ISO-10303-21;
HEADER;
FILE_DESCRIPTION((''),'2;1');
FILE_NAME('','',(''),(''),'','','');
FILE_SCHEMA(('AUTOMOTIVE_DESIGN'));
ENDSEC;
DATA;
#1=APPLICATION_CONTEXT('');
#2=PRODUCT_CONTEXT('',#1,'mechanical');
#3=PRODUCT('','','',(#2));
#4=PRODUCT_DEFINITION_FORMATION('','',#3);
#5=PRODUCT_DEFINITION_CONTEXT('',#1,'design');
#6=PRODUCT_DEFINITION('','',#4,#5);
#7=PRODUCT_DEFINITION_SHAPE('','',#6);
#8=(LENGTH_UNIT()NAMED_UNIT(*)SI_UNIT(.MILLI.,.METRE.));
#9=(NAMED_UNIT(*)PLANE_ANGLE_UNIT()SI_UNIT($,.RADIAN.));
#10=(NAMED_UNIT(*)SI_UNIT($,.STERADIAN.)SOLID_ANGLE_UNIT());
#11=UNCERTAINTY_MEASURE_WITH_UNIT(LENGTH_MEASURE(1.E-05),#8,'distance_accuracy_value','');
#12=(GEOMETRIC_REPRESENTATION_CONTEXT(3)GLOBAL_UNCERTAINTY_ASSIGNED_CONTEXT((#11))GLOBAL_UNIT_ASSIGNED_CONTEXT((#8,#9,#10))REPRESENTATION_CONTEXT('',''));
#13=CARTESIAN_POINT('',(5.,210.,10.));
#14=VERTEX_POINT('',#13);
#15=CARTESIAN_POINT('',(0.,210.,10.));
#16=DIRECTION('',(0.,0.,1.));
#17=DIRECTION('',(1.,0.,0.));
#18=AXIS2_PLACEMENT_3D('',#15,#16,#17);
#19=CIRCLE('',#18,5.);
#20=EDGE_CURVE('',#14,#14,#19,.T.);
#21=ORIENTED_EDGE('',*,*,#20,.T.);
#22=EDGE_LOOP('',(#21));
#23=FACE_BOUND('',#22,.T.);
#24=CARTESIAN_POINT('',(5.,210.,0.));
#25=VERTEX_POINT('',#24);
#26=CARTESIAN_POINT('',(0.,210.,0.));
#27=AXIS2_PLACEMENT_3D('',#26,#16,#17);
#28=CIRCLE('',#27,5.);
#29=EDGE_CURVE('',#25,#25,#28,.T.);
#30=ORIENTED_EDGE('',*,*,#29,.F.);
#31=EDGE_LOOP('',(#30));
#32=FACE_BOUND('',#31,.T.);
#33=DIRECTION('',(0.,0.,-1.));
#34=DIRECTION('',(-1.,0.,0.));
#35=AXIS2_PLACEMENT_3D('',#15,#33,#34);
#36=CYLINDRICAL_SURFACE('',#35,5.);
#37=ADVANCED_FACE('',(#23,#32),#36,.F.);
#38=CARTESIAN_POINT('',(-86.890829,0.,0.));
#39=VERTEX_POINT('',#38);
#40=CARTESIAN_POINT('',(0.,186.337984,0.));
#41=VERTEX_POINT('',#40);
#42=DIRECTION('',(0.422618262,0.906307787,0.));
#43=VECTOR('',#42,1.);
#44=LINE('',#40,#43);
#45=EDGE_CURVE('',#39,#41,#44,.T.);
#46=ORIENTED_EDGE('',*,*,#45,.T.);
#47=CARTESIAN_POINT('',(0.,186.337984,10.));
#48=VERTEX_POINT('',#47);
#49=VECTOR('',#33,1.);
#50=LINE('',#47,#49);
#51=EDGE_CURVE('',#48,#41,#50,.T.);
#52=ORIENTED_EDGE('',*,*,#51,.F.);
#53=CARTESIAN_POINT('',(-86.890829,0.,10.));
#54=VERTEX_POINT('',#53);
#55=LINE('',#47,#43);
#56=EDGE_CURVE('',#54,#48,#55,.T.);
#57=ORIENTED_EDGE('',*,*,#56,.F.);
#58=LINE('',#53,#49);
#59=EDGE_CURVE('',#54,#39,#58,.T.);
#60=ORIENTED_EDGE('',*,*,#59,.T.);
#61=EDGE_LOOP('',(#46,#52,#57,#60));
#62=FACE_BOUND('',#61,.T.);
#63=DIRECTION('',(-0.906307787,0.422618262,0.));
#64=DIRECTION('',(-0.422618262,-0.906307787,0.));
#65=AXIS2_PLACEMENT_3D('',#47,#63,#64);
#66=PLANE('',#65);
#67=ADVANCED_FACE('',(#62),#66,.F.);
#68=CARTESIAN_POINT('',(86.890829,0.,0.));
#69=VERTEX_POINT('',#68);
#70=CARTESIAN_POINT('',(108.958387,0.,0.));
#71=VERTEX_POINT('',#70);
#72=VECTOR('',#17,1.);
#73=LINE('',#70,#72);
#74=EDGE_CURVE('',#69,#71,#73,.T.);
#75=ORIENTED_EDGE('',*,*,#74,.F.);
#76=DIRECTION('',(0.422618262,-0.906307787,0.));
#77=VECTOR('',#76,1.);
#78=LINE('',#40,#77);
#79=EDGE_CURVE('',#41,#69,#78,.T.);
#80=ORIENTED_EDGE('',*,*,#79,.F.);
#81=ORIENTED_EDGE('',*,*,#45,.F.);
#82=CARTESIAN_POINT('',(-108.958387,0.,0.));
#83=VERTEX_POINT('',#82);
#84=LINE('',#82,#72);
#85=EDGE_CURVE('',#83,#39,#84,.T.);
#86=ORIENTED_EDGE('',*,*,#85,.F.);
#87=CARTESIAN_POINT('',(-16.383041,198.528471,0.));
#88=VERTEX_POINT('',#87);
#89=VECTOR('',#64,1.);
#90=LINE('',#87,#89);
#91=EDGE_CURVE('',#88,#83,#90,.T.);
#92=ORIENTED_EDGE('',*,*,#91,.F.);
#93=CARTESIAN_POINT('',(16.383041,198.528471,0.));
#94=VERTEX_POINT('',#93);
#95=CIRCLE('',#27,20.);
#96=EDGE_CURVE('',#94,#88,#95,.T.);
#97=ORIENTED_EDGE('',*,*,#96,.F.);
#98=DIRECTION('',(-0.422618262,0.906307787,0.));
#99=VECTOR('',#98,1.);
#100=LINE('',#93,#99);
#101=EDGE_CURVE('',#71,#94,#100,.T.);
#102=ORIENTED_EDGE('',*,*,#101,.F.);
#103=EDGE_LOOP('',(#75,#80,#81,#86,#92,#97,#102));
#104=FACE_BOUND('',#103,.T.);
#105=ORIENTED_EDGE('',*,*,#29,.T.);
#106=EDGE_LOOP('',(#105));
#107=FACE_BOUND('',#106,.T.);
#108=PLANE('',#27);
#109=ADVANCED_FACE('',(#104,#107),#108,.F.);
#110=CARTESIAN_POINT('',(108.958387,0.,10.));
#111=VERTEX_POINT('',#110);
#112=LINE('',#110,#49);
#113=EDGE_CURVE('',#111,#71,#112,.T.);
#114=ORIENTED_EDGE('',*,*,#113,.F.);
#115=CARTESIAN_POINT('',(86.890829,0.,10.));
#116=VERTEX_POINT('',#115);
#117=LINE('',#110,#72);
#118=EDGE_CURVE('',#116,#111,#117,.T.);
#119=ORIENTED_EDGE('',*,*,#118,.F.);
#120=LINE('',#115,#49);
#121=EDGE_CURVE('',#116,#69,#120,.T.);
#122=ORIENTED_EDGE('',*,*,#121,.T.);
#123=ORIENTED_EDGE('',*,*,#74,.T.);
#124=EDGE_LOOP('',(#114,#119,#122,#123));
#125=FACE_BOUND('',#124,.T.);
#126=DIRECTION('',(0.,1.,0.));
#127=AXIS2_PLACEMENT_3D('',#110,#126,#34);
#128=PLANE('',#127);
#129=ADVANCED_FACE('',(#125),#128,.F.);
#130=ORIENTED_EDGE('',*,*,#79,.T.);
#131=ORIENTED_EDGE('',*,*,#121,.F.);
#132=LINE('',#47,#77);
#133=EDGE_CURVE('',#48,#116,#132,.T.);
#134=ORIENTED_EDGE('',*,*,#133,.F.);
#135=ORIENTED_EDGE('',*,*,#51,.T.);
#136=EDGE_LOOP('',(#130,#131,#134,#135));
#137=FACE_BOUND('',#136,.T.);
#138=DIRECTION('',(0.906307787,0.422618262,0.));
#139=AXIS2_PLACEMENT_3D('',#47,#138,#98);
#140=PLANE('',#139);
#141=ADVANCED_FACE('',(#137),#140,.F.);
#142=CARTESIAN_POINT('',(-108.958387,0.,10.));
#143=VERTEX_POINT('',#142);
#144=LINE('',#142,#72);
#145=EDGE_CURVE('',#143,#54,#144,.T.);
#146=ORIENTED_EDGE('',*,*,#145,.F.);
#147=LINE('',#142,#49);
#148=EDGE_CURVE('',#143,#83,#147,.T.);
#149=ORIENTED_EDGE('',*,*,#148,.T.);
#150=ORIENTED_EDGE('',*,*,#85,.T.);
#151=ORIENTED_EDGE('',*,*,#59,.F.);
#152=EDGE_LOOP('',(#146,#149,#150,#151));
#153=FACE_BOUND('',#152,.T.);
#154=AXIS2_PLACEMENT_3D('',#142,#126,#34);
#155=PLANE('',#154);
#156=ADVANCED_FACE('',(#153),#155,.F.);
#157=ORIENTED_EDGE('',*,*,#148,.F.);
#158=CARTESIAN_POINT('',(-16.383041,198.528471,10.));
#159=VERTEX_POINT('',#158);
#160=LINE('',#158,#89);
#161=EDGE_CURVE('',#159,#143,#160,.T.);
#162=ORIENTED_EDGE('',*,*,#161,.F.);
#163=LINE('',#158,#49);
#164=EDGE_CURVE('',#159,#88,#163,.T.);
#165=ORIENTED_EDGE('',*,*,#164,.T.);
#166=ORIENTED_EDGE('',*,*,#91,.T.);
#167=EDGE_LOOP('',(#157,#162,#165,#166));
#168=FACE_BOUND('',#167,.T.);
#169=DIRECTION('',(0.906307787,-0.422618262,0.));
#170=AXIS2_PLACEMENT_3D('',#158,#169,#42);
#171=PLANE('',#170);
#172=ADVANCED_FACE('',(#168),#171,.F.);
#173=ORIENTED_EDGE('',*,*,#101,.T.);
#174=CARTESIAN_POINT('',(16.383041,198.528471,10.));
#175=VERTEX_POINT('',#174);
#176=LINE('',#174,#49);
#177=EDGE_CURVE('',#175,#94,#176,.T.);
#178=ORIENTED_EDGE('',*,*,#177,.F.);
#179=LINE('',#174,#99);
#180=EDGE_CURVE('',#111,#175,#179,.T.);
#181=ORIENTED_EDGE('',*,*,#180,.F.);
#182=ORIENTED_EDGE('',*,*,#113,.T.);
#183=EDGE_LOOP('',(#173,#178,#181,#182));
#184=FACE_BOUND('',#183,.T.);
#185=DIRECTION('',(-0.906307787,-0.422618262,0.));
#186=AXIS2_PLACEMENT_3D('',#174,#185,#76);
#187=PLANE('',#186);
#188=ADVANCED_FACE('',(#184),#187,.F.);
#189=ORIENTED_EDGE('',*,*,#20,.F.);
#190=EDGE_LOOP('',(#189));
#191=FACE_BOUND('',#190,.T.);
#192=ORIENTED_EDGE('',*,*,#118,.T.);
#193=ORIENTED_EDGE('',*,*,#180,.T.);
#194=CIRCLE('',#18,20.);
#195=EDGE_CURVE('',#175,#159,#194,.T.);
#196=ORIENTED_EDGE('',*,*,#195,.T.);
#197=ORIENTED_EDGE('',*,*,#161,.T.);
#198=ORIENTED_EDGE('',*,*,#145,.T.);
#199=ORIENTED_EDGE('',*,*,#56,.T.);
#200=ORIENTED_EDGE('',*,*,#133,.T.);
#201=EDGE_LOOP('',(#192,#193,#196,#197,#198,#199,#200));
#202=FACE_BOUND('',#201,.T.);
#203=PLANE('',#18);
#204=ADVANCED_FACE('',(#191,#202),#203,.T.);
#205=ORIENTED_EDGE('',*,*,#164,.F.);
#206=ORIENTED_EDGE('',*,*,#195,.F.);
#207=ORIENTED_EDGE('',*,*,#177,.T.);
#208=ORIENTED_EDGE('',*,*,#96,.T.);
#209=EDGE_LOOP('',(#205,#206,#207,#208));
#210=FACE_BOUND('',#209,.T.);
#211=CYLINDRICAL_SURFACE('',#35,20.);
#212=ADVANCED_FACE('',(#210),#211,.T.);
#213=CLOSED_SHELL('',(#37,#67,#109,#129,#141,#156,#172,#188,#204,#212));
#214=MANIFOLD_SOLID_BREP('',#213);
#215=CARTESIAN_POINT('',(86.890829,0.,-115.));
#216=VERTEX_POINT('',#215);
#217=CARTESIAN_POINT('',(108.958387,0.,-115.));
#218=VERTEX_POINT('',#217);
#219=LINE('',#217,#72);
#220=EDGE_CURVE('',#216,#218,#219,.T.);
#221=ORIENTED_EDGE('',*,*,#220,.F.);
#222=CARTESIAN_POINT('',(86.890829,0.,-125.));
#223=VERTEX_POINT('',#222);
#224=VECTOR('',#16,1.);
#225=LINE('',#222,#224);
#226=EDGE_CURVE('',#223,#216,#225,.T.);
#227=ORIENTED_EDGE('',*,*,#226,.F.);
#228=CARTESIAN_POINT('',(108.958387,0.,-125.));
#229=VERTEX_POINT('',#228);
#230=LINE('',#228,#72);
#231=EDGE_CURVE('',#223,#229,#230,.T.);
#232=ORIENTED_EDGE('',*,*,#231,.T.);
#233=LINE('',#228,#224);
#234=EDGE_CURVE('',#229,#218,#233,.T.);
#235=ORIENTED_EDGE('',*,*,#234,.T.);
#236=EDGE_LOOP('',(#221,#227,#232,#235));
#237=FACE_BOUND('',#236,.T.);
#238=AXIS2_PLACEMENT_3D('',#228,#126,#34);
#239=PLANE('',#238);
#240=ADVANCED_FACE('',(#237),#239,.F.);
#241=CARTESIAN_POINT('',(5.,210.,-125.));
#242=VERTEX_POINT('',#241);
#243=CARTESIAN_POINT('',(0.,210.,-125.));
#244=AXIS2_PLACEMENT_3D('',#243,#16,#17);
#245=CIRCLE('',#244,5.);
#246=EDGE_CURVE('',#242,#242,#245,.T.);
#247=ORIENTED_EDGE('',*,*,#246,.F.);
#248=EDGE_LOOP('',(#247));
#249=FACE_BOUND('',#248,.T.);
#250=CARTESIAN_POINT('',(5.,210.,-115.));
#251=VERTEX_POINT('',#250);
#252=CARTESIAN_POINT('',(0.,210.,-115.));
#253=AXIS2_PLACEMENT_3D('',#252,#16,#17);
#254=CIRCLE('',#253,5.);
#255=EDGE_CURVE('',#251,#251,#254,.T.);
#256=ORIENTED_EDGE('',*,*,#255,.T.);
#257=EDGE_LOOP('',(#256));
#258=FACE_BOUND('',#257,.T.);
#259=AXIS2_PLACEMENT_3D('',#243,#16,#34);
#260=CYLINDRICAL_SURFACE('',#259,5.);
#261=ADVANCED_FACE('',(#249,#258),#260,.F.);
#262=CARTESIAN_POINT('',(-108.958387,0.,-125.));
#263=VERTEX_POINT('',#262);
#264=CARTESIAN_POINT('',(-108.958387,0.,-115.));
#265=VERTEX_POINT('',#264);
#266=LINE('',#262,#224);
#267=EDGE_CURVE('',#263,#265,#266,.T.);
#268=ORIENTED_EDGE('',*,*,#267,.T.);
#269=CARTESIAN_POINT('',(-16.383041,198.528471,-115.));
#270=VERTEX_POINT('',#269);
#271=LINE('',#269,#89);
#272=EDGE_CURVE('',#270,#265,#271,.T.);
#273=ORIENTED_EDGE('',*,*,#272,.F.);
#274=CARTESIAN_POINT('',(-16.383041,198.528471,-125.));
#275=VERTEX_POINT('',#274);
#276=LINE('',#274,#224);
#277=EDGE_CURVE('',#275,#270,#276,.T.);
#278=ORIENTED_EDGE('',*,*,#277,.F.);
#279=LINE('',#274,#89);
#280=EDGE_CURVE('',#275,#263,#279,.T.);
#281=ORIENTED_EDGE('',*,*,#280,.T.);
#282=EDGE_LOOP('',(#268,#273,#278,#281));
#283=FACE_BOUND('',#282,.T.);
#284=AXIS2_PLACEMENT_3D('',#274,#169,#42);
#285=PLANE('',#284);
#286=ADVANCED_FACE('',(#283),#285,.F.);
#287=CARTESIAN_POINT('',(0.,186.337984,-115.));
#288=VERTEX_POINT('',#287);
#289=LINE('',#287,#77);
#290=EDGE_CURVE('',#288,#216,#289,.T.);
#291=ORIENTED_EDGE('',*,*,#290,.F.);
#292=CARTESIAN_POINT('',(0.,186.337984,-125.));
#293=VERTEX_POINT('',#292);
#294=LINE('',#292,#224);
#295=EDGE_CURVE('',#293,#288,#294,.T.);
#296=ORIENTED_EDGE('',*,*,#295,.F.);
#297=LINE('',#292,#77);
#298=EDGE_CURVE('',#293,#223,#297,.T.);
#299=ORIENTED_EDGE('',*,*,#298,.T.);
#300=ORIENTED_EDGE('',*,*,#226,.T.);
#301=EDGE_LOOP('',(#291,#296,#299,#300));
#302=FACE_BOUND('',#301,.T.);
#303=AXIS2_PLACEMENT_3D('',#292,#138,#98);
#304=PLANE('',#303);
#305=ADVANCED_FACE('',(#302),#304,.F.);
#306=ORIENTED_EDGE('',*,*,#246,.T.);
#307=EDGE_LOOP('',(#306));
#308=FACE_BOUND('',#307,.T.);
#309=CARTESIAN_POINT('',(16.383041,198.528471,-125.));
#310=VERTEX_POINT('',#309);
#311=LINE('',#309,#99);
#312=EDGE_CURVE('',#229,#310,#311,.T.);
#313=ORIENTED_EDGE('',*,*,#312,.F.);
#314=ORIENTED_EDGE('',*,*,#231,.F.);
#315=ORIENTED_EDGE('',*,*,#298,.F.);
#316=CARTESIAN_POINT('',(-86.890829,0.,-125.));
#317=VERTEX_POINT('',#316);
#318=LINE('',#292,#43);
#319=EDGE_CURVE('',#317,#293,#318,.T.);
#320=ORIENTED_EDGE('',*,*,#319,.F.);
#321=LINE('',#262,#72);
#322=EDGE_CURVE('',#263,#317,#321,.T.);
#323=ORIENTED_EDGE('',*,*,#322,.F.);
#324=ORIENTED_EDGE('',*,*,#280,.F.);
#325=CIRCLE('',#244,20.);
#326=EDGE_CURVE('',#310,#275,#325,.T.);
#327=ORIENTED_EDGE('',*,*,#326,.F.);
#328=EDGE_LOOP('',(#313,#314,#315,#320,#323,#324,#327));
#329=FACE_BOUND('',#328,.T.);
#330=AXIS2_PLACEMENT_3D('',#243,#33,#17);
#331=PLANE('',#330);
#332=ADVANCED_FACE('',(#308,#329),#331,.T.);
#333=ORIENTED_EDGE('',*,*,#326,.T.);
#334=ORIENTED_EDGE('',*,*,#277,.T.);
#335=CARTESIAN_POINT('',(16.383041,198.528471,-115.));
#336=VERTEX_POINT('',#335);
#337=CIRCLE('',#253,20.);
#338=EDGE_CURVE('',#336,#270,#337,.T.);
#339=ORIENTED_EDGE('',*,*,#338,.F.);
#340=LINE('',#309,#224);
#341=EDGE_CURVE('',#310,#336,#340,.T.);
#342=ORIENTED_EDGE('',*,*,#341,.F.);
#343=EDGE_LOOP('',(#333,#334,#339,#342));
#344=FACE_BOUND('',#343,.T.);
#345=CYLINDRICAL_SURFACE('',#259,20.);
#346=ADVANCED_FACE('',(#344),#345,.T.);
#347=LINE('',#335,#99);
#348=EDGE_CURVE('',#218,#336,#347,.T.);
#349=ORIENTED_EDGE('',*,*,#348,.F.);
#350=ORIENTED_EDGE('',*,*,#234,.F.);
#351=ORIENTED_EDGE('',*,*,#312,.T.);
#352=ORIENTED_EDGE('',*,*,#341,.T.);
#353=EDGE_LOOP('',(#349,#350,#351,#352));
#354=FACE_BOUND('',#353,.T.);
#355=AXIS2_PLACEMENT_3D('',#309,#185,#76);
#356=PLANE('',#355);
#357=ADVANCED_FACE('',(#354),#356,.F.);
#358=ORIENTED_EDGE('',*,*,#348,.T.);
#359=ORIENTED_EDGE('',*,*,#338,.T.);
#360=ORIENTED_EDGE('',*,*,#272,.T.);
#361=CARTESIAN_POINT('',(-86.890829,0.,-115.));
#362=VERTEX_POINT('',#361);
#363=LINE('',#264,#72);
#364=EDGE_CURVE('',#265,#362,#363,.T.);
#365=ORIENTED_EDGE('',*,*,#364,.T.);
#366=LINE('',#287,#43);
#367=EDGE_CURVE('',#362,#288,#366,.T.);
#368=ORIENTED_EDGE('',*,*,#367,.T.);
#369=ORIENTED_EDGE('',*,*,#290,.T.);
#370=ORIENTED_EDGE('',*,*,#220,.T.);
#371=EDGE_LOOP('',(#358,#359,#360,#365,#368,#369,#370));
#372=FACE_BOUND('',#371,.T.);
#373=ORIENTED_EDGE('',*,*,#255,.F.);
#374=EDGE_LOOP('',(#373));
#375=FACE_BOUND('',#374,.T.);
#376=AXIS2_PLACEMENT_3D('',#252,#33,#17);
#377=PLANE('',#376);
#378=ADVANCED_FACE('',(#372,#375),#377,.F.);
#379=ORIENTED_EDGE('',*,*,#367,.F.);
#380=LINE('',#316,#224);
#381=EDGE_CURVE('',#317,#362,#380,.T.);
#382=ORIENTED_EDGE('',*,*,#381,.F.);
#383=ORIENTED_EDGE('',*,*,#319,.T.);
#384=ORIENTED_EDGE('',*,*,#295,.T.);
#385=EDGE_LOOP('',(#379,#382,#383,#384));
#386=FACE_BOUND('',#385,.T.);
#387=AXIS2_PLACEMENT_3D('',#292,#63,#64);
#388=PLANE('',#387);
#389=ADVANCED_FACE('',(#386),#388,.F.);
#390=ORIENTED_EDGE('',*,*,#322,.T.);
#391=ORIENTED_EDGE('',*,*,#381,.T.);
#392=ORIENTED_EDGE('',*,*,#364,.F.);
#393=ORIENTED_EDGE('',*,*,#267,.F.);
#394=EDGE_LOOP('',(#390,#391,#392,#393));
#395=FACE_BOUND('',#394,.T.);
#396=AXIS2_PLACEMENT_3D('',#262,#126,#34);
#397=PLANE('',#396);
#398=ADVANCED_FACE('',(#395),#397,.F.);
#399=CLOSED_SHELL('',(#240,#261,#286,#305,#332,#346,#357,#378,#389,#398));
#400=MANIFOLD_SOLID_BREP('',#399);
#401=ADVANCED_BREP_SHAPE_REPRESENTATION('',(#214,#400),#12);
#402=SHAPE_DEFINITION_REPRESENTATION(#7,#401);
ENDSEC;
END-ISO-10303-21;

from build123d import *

# Parameters (mm, degrees)
SKETCH1_R           = 5
BOSS_EXTRUDE1_DEPTH = 10


with BuildPart() as part:
    # Sketch1 → Boss-Extrude1 (new body)
    with BuildSketch(Plane.XY):
        with BuildLine():
            Line((-16.383040886, 198.528471273), (-108.958387402, 0))
            Line((-108.958387402, 0), (-86.890829023, 0))
            Line((-86.890829023, 0), (0, 186.337984168))
            Line((0, 186.337984168), (86.890829023, 0))
            Line((86.890829023, 0), (108.958387402, 0))
            Line((108.958387402, 0), (16.383040886, 198.528471273))
            ThreePointArc((16.383040886, 198.528471273), (0, 230), (-16.383040886, 198.528471273))
        make_face()
        with Locations((0, 210)):
            Circle(SKETCH1_R, mode=Mode.SUBTRACT)
    extrude(amount=BOSS_EXTRUDE1_DEPTH)


with BuildPart() as body_2:
    # Mirror2: mirrored copy
    add(part.part.mirror(Plane(origin=(0, 0, -57.5), x_dir=(1, 0, 0), z_dir=(0, 0, -1))))


solid = Compound([part.part, body_2.part])
